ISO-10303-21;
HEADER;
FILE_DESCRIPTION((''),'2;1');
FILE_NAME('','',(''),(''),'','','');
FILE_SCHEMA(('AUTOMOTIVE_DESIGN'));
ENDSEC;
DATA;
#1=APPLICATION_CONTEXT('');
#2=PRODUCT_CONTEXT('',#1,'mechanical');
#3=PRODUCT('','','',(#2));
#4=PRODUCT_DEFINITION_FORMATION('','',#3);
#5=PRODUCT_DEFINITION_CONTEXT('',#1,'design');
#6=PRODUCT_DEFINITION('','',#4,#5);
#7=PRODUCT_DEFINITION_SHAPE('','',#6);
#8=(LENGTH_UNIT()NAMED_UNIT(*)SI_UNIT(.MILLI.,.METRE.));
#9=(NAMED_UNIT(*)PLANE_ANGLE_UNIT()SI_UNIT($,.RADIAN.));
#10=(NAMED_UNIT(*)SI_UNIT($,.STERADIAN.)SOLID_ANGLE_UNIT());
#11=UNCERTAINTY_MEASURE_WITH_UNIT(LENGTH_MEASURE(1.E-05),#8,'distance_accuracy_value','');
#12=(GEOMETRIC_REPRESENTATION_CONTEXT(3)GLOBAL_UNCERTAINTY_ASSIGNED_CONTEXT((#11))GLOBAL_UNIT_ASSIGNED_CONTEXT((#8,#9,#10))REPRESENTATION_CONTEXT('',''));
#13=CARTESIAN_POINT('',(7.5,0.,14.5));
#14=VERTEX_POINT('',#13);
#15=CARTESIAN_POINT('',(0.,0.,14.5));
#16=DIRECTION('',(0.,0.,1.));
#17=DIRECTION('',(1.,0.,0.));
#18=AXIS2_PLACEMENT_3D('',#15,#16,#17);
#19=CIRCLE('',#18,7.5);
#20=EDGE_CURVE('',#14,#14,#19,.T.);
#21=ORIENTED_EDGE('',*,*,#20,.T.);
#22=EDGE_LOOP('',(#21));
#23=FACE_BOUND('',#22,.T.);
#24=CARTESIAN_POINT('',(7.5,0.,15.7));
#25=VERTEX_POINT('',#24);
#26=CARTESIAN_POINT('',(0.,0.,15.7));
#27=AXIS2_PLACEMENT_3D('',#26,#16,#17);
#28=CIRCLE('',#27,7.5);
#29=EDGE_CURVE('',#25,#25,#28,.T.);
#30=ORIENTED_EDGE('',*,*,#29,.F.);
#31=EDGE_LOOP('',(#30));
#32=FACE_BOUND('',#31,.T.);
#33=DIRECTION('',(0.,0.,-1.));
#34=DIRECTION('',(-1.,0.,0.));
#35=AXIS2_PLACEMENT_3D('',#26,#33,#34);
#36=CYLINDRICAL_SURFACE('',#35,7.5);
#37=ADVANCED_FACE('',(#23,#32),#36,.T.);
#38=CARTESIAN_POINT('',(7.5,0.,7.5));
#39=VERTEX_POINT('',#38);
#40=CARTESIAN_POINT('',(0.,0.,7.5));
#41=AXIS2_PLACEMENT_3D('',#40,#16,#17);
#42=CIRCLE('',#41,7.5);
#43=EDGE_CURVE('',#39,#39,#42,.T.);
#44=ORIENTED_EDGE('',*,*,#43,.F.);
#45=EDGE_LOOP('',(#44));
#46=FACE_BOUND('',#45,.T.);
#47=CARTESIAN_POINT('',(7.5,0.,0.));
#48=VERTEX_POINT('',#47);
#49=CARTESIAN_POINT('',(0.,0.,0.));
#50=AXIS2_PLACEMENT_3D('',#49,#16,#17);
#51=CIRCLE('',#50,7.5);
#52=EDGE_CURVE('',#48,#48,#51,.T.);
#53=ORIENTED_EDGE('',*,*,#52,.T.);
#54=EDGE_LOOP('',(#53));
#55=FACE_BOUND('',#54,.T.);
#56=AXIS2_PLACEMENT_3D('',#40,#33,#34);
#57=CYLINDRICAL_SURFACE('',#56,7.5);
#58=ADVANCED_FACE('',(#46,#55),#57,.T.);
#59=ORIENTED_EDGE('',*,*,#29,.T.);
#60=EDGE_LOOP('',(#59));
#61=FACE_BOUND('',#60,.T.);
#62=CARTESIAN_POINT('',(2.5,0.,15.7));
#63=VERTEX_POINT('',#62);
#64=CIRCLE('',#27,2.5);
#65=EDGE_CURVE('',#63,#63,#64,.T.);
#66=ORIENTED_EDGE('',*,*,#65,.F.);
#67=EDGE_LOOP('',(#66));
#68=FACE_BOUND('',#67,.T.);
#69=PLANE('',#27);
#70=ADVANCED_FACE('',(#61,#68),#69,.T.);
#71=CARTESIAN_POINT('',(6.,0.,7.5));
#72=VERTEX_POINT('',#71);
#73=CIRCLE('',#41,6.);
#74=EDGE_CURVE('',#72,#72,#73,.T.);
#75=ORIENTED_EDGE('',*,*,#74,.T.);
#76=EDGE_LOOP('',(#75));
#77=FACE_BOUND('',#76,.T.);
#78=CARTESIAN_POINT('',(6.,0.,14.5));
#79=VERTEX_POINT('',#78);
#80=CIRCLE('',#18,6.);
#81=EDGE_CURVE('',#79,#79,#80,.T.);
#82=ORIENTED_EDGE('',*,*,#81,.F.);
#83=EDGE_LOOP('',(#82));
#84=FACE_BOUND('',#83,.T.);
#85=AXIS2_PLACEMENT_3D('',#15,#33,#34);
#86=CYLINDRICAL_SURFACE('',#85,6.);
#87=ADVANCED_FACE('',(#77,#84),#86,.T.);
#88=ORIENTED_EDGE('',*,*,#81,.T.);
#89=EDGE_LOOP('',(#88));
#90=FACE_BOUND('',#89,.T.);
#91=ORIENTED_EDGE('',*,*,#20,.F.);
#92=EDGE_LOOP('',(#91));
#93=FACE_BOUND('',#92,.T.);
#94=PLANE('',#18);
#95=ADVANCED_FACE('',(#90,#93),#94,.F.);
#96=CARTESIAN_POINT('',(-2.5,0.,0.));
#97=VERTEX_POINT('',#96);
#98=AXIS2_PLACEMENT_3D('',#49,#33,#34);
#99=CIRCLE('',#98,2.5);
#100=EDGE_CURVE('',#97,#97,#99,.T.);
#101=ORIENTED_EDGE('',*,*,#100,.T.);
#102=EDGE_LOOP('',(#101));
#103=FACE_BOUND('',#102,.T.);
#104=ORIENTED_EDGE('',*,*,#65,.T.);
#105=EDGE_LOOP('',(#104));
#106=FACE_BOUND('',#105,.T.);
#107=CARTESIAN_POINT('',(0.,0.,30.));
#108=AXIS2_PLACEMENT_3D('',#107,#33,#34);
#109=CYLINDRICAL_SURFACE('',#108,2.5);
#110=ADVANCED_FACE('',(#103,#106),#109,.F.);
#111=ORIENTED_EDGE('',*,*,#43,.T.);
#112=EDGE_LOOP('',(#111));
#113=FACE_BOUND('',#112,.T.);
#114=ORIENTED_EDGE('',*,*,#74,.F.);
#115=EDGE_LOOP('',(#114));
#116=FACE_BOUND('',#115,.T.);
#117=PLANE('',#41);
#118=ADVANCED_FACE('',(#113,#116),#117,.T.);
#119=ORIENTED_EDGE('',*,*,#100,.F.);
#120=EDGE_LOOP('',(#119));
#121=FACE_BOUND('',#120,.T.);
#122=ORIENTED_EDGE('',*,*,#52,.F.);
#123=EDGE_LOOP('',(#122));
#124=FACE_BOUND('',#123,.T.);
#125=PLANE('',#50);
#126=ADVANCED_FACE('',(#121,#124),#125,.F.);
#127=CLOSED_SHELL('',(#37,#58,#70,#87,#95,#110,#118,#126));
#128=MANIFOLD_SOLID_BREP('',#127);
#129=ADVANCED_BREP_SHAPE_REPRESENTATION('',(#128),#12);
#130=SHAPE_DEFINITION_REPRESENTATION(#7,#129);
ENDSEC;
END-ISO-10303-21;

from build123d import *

# Parameters (mm, degrees)
ESQUISSE1_R             = 7.5
BOSS_EXTRU_1_DEPTH      = 7.5
ESQUISSE2_R             = 6
BOSS_EXTRU_2_DEPTH      = 7
ESQUISSE3_R             = 7.5
BOSS_EXTRU_3_DEPTH      = 1.2
ESQUISSE4_R             = 2.5
ENL_V_MAT_EXTRU_1_DEPTH = 30


with BuildPart() as part:
    # Esquisse1 → Boss.-Extru.1 (new body)
    with BuildSketch(Plane.XY):
        Circle(ESQUISSE1_R)
    extrude(amount=BOSS_EXTRU_1_DEPTH)

    # Esquisse2 → Boss.-Extru.2 (add)
    with BuildSketch(Plane.XY.offset(7.5)):
        Circle(ESQUISSE2_R)
    extrude(amount=BOSS_EXTRU_2_DEPTH)

    # Esquisse3 → Boss.-Extru.3 (add)
    with BuildSketch(Plane.XY.offset(14.5)):
        Circle(ESQUISSE3_R)
    extrude(amount=BOSS_EXTRU_3_DEPTH)

    # Esquisse4 → Enlèv. mat.-Extru.1 (cut)
    with BuildSketch(Plane(origin=(0, 0, 0), x_dir=(-1, 0, 0), z_dir=(0, 0, -1))):
        Circle(ESQUISSE4_R)
    extrude(amount=-ENL_V_MAT_EXTRU_1_DEPTH, mode=Mode.SUBTRACT)


solid = part.part
